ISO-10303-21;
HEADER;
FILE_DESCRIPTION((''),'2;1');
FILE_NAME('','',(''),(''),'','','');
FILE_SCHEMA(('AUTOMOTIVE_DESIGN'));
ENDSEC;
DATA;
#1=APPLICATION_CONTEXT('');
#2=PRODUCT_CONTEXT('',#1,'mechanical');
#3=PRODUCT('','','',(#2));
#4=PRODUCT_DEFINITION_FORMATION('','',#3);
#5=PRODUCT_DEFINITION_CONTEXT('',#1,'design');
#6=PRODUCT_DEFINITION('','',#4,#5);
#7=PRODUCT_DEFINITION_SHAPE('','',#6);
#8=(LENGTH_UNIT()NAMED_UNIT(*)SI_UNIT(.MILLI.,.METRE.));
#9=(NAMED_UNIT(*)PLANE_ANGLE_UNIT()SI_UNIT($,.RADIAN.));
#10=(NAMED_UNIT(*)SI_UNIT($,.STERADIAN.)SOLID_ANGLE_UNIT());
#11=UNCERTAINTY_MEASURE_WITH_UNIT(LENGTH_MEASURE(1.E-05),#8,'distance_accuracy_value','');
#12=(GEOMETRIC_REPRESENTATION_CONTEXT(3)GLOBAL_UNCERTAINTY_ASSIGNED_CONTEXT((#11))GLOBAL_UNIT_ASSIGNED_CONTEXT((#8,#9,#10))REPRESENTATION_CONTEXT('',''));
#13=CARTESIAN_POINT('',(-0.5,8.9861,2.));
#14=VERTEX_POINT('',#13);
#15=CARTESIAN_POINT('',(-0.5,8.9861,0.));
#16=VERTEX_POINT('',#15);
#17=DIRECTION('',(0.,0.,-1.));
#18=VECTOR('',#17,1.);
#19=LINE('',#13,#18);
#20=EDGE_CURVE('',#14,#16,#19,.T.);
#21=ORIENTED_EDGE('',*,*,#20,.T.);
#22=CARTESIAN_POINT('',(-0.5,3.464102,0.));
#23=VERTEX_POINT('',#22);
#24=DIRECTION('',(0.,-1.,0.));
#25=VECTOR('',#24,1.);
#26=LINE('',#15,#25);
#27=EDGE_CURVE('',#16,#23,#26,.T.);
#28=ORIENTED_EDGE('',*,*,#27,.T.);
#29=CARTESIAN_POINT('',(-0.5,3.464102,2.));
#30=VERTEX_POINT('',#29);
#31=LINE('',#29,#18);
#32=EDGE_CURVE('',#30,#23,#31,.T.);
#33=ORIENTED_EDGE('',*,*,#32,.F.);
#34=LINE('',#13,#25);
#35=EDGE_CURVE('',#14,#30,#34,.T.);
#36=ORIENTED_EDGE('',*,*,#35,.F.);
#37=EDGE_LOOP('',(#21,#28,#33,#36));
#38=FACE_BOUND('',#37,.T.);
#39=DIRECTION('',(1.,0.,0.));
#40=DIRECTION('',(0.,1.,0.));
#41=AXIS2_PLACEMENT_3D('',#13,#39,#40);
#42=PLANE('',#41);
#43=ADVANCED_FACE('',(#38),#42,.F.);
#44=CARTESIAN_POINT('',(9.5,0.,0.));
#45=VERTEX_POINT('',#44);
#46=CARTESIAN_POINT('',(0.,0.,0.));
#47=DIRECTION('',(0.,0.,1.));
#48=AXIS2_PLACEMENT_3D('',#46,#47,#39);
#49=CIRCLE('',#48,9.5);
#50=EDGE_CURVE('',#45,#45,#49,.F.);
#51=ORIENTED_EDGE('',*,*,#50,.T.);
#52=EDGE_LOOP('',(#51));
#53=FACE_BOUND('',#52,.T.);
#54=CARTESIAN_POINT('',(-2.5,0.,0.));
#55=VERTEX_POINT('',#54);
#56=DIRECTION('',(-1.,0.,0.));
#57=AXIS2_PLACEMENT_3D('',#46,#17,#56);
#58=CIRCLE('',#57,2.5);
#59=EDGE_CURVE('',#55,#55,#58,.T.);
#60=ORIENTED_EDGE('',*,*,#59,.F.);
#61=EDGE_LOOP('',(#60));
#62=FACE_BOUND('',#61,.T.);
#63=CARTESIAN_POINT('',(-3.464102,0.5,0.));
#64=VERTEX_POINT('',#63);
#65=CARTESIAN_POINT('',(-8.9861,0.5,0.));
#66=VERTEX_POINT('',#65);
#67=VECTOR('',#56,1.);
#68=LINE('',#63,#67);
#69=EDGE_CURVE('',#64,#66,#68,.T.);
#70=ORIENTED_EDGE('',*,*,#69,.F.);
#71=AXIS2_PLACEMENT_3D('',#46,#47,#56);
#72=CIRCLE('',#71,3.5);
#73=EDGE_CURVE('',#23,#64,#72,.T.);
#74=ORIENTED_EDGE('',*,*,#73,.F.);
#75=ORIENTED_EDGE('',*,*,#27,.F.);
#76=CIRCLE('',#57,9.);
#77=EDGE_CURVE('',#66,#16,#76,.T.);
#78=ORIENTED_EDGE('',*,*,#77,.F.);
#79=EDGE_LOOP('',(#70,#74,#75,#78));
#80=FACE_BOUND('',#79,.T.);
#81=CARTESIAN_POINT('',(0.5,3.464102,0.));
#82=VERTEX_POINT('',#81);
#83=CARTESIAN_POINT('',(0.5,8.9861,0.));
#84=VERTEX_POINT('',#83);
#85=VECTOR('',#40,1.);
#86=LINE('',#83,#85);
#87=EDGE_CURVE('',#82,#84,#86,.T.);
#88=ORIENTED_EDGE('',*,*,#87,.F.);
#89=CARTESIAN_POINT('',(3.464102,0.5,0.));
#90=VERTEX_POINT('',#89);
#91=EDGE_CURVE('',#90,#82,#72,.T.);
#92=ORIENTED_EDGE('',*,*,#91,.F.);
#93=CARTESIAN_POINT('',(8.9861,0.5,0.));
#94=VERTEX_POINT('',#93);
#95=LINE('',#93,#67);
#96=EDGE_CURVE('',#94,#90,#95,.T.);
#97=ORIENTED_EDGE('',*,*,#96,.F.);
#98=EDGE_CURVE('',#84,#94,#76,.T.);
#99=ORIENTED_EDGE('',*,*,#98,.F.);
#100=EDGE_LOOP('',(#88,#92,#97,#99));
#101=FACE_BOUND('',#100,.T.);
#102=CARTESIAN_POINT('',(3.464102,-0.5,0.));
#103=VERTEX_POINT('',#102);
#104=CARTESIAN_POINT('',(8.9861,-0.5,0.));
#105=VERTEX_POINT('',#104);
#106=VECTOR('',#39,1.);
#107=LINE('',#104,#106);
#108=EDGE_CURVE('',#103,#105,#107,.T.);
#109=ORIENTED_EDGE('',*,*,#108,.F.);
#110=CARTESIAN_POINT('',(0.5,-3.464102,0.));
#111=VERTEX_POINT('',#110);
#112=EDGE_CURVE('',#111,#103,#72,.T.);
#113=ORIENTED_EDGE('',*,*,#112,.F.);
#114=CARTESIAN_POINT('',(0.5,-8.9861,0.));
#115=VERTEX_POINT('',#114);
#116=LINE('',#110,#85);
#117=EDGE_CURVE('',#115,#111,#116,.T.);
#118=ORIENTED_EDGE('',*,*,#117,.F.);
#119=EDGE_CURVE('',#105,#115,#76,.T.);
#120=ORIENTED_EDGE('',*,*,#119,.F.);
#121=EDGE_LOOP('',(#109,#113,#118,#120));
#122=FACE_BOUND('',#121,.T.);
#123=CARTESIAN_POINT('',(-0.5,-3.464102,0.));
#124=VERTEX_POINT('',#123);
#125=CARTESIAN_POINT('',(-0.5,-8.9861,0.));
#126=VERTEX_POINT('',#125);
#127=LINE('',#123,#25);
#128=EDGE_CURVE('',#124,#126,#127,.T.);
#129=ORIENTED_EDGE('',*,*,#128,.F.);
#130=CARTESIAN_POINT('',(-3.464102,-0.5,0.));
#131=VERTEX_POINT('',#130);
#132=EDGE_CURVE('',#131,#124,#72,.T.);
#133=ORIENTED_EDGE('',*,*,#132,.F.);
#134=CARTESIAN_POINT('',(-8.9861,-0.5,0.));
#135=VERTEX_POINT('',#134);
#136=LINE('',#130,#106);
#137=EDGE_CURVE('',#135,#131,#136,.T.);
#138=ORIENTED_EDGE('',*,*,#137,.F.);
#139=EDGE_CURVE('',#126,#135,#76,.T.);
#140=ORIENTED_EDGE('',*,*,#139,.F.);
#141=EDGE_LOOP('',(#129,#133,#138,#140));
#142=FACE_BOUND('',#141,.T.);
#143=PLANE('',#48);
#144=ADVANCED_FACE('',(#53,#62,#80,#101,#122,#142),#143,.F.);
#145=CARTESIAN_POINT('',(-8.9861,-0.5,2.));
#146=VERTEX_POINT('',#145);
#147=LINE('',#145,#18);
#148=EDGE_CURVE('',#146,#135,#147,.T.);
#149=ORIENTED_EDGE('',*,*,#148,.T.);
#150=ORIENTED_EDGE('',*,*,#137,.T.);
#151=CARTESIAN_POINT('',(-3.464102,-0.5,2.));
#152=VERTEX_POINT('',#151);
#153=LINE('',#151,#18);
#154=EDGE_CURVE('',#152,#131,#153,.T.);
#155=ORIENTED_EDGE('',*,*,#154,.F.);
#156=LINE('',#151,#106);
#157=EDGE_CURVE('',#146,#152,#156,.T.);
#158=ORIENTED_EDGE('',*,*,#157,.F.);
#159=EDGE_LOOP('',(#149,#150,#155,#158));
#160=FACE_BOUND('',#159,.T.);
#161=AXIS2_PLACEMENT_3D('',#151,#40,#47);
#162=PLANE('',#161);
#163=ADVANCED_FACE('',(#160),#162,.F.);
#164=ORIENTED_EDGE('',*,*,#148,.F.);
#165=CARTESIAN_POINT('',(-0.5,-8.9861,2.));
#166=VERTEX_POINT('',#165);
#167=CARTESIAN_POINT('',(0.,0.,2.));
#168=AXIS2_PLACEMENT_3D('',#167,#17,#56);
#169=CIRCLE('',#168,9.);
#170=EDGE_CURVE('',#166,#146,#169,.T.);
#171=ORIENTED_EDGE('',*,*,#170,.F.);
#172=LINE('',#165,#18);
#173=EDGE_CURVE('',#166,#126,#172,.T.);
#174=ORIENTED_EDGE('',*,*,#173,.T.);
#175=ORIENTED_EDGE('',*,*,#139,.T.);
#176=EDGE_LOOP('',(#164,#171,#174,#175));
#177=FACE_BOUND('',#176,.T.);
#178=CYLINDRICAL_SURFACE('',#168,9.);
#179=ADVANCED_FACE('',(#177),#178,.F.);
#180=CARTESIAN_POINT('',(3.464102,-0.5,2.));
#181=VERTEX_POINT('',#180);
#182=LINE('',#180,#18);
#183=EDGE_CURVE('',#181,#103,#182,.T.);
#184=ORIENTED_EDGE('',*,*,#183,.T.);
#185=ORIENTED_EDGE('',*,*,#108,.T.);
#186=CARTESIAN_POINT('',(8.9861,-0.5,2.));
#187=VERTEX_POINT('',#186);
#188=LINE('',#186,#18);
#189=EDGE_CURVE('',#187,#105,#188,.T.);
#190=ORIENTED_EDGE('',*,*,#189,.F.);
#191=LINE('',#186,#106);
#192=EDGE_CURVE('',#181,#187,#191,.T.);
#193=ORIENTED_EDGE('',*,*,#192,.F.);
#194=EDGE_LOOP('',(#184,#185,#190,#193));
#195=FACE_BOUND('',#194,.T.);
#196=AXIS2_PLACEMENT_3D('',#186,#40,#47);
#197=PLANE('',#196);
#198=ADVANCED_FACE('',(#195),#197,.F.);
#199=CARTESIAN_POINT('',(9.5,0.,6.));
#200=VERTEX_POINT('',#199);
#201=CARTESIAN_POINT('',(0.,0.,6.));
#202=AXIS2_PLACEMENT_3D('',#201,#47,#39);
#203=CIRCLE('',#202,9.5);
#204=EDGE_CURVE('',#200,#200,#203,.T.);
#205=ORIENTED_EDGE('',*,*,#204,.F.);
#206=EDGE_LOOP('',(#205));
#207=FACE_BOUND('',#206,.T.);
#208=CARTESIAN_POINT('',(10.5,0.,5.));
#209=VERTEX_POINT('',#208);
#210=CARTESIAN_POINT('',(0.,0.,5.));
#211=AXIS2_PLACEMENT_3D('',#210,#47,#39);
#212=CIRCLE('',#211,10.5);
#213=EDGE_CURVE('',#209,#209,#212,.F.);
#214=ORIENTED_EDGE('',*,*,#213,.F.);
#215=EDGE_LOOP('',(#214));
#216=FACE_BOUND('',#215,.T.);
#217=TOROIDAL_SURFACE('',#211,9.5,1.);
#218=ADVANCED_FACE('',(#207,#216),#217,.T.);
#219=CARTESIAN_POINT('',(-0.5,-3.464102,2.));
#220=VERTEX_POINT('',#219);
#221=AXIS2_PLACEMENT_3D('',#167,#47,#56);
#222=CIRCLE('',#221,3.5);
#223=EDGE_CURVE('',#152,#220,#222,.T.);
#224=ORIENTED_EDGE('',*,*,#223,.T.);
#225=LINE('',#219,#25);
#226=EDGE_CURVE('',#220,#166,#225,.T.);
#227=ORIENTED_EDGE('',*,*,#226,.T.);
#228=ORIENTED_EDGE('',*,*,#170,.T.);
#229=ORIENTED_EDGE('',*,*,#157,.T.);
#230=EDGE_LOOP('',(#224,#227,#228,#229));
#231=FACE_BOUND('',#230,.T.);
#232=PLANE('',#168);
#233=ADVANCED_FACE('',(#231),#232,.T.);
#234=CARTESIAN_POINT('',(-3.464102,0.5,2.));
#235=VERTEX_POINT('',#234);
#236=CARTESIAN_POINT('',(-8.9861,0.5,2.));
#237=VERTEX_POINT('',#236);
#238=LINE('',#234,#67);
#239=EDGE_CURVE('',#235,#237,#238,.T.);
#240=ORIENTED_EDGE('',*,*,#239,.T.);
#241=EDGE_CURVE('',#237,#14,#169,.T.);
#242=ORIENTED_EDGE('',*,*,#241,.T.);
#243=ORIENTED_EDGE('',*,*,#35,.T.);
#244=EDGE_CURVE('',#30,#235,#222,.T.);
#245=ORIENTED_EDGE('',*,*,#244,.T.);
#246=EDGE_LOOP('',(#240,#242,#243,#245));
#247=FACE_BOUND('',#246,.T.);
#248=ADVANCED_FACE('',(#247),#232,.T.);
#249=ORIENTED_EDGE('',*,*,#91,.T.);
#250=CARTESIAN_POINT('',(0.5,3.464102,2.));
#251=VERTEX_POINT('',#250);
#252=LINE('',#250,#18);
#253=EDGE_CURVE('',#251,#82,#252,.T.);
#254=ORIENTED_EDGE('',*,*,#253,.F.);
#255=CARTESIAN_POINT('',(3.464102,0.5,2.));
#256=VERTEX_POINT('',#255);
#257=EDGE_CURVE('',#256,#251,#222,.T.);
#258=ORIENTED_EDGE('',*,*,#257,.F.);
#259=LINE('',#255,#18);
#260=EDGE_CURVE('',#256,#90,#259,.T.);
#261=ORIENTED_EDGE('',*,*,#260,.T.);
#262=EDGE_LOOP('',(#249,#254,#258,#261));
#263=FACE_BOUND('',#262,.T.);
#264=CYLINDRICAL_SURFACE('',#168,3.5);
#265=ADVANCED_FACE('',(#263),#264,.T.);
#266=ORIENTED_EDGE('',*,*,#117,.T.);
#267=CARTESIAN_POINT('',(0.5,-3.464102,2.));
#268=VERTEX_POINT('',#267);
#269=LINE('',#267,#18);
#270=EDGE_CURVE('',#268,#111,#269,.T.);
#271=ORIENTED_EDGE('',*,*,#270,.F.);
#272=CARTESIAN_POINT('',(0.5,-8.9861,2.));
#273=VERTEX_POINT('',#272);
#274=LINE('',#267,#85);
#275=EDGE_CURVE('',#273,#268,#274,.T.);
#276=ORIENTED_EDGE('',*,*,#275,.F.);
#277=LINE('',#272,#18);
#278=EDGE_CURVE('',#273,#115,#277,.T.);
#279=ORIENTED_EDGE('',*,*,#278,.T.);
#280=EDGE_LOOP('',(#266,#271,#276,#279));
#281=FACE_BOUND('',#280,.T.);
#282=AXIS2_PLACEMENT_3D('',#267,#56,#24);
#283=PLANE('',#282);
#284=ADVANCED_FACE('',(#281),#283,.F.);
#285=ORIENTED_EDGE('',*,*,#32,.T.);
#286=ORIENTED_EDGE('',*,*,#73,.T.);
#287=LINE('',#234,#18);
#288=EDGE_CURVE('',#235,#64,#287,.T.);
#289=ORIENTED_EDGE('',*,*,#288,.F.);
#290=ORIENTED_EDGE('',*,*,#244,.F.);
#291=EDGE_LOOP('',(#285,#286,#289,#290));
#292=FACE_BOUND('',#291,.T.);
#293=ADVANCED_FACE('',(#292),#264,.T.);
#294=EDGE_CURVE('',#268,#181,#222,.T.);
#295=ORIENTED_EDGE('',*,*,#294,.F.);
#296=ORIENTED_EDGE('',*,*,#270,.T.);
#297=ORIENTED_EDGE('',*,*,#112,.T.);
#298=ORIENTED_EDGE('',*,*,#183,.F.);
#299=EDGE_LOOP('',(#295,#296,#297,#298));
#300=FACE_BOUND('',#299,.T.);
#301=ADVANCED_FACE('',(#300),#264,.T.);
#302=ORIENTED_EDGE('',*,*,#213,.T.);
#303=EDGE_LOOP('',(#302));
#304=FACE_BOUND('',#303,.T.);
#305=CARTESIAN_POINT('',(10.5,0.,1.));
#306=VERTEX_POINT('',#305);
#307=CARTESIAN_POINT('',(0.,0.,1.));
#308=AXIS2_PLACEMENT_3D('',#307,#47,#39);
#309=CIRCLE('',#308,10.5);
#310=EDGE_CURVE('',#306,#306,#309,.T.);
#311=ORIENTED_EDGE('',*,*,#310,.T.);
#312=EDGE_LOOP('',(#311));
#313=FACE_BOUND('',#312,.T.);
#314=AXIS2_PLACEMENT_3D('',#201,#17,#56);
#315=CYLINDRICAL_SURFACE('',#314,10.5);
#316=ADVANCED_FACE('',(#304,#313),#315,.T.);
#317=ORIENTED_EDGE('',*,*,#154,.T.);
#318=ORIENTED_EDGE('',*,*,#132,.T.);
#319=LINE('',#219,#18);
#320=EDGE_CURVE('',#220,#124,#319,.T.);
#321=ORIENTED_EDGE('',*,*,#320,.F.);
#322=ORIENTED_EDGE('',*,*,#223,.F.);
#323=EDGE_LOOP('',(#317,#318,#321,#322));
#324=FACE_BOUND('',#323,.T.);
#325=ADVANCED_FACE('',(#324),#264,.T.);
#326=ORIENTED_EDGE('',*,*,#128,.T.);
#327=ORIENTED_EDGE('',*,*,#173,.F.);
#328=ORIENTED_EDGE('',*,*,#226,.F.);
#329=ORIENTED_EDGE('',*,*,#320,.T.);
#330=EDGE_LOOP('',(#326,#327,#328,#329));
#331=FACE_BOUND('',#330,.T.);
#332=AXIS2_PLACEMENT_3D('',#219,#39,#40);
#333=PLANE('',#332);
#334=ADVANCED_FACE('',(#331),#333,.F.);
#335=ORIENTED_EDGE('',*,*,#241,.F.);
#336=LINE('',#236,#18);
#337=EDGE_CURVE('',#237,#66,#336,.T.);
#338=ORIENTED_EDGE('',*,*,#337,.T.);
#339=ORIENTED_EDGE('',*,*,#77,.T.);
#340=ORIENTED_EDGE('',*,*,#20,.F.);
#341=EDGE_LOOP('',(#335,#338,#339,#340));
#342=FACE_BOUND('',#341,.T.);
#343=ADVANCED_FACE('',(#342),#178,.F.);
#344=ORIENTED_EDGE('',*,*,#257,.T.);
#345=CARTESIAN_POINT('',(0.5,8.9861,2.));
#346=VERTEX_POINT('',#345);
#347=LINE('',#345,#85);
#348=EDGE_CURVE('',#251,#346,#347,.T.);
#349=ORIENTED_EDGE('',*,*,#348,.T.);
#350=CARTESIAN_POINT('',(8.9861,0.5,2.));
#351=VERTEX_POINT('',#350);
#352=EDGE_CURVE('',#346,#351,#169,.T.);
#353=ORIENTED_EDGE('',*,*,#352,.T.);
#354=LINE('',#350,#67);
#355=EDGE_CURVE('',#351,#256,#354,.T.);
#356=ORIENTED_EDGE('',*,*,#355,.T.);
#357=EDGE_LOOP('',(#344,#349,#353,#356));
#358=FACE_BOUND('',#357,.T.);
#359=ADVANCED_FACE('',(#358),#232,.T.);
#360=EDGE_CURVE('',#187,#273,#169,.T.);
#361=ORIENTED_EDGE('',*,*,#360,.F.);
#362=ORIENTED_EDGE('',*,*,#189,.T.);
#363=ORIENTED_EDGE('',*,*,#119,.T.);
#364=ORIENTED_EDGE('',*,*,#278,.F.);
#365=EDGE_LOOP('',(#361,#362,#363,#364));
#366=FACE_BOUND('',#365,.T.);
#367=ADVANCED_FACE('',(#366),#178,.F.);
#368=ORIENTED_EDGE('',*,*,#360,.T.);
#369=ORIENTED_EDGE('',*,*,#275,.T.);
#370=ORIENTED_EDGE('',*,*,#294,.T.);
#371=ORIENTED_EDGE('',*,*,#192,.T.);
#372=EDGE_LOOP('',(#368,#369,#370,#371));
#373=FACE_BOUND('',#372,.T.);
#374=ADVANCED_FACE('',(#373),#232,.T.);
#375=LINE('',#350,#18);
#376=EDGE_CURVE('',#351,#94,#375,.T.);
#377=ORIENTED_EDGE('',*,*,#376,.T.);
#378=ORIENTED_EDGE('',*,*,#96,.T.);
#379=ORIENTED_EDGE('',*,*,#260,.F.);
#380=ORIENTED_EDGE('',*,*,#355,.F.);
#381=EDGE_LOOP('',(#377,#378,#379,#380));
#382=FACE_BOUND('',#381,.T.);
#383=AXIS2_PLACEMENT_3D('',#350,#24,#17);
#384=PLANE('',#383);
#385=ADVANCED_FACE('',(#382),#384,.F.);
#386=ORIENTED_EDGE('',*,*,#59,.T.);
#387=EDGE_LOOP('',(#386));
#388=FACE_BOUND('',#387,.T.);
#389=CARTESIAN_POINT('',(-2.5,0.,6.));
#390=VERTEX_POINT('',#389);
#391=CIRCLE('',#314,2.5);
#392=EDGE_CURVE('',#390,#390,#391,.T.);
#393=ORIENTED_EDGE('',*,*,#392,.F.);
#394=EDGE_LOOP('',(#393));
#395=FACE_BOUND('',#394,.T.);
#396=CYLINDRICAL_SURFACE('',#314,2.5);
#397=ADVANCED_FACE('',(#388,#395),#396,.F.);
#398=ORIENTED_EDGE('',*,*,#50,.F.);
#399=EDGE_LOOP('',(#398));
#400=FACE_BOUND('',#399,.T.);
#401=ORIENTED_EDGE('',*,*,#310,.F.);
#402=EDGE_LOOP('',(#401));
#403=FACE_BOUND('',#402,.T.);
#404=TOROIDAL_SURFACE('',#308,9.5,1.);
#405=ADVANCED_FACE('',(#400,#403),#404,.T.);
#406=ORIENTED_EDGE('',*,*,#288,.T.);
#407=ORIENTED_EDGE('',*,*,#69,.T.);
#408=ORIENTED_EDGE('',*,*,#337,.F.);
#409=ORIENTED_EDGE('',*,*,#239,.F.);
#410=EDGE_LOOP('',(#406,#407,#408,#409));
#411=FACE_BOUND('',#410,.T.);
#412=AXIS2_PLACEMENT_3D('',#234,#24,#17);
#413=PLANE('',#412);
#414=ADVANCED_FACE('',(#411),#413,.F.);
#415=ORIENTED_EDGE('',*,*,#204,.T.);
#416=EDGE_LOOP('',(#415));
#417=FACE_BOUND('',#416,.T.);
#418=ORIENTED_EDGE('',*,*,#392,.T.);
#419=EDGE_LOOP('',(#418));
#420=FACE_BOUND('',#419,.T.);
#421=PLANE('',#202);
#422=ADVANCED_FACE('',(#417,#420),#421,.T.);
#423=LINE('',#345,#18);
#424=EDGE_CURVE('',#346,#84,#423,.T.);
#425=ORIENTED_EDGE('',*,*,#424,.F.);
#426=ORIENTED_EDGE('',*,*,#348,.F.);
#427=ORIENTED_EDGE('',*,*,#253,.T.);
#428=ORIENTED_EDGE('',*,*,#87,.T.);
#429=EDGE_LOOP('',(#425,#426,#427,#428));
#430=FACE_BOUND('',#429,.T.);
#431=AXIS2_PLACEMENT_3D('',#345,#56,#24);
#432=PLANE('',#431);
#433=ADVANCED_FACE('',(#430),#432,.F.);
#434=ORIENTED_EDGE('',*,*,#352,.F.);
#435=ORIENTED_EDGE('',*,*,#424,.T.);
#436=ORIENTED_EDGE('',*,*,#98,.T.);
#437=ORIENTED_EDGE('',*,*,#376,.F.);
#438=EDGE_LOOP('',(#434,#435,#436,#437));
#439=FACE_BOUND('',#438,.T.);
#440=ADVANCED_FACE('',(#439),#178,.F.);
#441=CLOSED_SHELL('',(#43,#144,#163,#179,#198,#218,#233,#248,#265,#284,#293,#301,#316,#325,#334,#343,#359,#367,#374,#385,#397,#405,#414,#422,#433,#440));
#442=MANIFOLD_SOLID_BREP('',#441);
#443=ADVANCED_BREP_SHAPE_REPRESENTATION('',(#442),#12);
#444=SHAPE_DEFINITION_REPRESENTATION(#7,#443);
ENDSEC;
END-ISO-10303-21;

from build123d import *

# Parameters (mm, degrees)
SKETCH1_R           = 10.5
BOSS_EXTRUDE1_DEPTH = 6
SKETCH2_R           = 2.5
CUT_EXTRUDE1_DEPTH  = 6
FILLET1_R           = 1
CUT_EXTRUDE2_DEPTH  = 2


with BuildPart() as part:
    # Sketch1 → Boss-Extrude1 (new body)
    with BuildSketch(Plane.XY):
        Circle(SKETCH1_R)
    extrude(amount=BOSS_EXTRUDE1_DEPTH)

    # Sketch2 → Cut-Extrude1 (cut)
    with BuildSketch(Plane(origin=(0, 0, 0), x_dir=(-1, 0, 0), z_dir=(0, 0, -1))):
        Circle(SKETCH2_R)
    extrude(amount=-CUT_EXTRUDE1_DEPTH, mode=Mode.SUBTRACT)

    # Fillet1
    fillet1_edges = [part.edges().sort_by_distance(p)[0] for p in [
        (-10.5, 0, 0),
        (-10.5, 0, 6),
    ]]
    fillet(fillet1_edges, radius=FILLET1_R)

    # Sketch3 → Cut-Extrude2 (cut)
    with BuildSketch(Plane(origin=(0, 0, 0), x_dir=(-1, 0, 0), z_dir=(0, 0, -1))):
        with BuildLine():
            Line((-0.5, 8.986100378), (-0.5, 3.464101615))
            ThreePointArc((-0.5, 3.464101615), (-2.474873734, 2.474873734), (-3.464101615, 0.5))
            Line((-3.464101615, 0.5), (-8.986100378, 0.5))
            ThreePointArc((-8.986100378, 0.5), (-6.363961031, 6.363961031), (-0.5, 8.986100378))
        make_face()
        with BuildLine():
            Line((0.5, 8.986100378), (0.5, 3.464101615))
            ThreePointArc((0.5, 3.464101615), (2.474873734, 2.474873734), (3.464101615, 0.5))
            Line((3.464101615, 0.5), (8.986100378, 0.5))
            ThreePointArc((8.986100378, 0.5), (6.363961031, 6.363961031), (0.5, 8.986100378))
        make_face()
        with BuildLine():
            Line((-8.986100378, -0.5), (-3.464101615, -0.5))
            ThreePointArc((-3.464101615, -0.5), (-2.474873734, -2.474873734), (-0.5, -3.464101615))
            Line((-0.5, -3.464101615), (-0.5, -8.986100378))
            ThreePointArc((-0.5, -8.986100378), (-6.363961031, -6.363961031), (-8.986100378, -0.5))
        make_face()
        with BuildLine():
            Line((0.5, -3.464101615), (0.5, -8.986100378))
            ThreePointArc((0.5, -8.986100378), (6.363961031, -6.363961031), (8.986100378, -0.5))
            Line((8.986100378, -0.5), (3.464101615, -0.5))
            ThreePointArc((3.464101615, -0.5), (2.474873734, -2.474873734), (0.5, -3.464101615))
        make_face()
    extrude(amount=-CUT_EXTRUDE2_DEPTH, mode=Mode.SUBTRACT)


solid = part.part
